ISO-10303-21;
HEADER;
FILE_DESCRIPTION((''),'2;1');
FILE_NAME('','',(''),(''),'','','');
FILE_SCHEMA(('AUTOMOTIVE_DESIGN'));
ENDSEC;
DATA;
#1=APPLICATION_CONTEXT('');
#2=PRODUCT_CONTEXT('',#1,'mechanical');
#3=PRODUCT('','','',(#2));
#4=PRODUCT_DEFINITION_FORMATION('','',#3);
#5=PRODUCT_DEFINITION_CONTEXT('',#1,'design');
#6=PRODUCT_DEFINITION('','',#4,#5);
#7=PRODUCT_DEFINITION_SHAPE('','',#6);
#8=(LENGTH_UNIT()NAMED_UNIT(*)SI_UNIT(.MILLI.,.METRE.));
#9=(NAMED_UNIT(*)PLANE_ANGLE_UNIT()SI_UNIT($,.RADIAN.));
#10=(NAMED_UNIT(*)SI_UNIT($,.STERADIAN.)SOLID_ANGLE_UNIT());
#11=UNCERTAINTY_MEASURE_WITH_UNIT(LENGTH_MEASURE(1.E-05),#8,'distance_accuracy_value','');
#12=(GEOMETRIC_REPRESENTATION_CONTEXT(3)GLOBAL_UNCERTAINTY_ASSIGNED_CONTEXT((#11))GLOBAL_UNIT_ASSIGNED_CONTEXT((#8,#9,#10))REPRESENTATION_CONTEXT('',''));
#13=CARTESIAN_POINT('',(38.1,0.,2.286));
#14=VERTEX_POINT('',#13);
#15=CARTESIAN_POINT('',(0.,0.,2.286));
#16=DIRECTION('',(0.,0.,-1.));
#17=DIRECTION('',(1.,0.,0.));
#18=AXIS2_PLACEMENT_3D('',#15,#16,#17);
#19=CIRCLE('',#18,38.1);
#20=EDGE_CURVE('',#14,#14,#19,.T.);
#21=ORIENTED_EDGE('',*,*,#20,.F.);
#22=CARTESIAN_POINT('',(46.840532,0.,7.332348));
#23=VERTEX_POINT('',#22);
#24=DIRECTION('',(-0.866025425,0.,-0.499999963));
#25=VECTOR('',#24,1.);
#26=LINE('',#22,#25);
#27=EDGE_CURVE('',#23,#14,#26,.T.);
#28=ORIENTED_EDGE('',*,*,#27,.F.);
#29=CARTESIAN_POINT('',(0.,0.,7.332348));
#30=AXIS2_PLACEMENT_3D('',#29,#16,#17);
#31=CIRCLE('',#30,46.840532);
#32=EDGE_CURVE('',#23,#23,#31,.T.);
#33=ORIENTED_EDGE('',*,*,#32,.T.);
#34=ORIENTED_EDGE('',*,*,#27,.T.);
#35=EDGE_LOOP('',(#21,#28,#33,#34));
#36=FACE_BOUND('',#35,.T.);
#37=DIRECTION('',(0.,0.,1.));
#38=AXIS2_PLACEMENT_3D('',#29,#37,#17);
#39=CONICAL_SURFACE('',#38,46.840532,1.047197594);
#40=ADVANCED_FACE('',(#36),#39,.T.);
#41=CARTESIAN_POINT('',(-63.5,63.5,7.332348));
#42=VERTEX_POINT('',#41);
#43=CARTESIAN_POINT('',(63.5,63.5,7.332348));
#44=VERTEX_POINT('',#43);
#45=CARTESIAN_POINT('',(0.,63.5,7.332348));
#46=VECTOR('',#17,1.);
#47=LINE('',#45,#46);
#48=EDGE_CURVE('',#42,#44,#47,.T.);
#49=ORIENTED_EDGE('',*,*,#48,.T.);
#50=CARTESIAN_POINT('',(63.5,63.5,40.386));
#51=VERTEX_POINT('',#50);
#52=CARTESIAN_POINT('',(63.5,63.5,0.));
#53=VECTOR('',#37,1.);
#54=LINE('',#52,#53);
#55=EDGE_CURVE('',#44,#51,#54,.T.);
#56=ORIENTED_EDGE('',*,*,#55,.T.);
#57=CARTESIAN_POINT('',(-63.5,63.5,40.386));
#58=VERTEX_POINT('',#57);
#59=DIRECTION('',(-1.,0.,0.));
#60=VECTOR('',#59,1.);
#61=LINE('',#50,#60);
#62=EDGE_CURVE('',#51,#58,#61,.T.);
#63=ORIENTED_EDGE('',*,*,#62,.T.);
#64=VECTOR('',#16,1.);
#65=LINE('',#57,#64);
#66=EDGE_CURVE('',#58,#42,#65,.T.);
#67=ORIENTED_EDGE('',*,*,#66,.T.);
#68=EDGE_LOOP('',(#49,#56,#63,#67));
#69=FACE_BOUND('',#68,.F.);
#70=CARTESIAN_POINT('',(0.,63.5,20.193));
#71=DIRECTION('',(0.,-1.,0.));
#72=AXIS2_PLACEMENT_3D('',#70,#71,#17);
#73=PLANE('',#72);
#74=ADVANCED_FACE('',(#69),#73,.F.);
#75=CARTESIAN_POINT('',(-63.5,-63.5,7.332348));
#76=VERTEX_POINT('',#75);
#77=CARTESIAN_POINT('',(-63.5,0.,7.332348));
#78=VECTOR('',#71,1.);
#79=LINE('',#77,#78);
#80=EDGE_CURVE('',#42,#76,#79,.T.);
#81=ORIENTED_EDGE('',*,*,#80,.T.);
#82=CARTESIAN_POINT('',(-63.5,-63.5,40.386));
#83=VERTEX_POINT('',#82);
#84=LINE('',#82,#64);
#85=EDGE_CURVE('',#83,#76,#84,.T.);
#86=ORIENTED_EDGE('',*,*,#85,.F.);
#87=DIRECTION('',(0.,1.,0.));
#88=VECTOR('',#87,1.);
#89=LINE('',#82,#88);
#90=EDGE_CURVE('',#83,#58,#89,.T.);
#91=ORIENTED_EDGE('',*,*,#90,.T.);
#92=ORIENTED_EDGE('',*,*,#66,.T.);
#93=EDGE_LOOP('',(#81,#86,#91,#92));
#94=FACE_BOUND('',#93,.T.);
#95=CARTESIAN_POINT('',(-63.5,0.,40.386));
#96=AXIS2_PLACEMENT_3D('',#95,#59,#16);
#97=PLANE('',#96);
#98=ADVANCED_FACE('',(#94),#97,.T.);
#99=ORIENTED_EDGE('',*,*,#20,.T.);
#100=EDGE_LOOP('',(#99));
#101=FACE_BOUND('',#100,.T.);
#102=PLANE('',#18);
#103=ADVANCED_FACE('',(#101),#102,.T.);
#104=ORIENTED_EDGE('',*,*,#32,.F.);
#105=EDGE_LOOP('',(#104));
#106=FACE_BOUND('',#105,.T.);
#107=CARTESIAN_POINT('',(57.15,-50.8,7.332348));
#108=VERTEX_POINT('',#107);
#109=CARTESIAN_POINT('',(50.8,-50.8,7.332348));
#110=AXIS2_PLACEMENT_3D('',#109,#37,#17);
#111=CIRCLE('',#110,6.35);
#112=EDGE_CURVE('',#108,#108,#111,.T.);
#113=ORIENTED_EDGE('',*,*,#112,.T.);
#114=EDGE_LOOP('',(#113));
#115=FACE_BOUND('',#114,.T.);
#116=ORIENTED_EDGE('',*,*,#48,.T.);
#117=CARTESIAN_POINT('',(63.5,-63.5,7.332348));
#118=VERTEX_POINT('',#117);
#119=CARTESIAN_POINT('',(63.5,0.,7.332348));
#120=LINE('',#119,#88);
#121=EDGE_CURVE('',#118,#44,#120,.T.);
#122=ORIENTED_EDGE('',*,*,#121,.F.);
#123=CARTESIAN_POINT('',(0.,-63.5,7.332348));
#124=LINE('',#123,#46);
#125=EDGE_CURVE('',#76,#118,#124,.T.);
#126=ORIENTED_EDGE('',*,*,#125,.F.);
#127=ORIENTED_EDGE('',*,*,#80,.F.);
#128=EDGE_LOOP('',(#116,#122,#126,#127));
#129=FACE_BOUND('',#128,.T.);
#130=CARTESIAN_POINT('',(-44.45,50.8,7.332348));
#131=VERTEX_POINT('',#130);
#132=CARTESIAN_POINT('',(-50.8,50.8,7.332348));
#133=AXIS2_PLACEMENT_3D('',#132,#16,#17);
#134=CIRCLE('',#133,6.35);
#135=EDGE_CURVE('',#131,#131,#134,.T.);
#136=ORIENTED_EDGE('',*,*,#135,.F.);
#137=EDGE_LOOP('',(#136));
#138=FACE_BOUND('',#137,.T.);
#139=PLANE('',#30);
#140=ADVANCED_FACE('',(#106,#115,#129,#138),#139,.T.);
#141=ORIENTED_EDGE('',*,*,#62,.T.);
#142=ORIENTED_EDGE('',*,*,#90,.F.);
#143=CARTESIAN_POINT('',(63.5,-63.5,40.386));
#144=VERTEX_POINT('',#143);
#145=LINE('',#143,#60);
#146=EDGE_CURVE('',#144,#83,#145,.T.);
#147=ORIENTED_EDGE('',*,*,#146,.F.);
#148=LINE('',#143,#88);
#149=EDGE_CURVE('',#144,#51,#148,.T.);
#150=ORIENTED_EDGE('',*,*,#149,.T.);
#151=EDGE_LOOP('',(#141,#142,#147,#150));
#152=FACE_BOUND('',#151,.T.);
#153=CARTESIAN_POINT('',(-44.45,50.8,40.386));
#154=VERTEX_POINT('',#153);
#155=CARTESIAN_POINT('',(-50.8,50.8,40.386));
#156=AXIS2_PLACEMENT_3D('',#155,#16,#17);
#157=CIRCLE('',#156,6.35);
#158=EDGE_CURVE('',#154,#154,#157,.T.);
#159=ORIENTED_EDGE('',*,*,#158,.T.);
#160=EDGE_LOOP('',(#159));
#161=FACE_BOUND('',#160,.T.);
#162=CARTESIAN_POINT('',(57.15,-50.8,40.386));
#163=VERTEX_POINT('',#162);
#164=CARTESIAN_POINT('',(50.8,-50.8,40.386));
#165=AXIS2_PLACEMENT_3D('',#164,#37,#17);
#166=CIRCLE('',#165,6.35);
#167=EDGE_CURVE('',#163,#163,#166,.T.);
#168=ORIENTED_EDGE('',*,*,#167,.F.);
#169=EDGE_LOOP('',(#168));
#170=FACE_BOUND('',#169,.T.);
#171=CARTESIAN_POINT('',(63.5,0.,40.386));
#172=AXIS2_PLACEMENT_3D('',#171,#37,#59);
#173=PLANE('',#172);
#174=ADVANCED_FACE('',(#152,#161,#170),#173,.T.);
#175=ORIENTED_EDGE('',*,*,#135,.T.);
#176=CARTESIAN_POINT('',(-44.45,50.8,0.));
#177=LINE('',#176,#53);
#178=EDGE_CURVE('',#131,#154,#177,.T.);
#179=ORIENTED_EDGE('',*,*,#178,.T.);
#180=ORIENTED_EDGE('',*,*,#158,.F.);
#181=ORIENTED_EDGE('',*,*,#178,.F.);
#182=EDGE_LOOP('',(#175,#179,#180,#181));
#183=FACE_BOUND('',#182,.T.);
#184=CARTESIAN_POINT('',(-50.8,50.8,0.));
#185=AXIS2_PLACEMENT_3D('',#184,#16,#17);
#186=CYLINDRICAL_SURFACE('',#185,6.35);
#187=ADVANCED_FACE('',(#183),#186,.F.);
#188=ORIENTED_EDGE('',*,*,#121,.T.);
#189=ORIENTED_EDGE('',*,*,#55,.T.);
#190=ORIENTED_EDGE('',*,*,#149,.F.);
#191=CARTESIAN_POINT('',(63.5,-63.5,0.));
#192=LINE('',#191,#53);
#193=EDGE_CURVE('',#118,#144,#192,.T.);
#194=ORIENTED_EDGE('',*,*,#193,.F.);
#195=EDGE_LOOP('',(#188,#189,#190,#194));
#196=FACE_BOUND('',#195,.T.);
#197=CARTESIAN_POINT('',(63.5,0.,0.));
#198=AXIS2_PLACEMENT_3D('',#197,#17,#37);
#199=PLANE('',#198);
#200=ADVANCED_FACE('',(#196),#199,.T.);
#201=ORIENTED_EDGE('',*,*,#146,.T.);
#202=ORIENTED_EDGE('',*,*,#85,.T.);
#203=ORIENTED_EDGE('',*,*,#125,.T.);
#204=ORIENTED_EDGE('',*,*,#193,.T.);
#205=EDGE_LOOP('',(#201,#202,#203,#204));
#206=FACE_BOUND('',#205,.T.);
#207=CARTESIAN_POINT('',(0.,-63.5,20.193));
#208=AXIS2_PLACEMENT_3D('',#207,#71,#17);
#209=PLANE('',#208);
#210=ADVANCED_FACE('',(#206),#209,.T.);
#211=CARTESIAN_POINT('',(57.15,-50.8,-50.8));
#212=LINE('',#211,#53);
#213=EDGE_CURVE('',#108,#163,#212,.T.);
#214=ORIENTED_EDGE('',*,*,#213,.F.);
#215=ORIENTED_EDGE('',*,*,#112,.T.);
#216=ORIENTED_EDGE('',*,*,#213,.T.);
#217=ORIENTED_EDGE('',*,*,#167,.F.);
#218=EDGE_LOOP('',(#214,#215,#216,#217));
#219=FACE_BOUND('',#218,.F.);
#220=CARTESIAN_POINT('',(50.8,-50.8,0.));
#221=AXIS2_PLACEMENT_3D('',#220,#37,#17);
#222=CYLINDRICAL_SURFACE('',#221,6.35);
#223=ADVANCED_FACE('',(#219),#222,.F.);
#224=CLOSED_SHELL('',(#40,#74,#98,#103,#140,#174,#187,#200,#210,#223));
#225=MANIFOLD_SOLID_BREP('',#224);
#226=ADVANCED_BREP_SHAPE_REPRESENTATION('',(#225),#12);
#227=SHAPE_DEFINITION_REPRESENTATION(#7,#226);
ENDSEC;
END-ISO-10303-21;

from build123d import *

# Parameters (mm, degrees)
F2_DEPTH = 63.5
F4_R     = 6.35
F5_DEPTH = 50.8


with BuildPart() as f2:
    # F1 (on Front) → F2 (new body, symmetric)
    with BuildSketch(Plane.XZ):
        Polygon((-63.5, 40.386), (-63.5, 0), (63.5, 0), (63.5, 40.386), (0, 40.386), align=None)
    extrude(amount=F2_DEPTH, both=True)

    # F0 (on Front) → F3 (revolve, cut)
    with BuildSketch(Plane.XZ):
        Polygon((0, 2.286), (0, 0), (38.1, 0), (91.416501, 0), (91.416501, 7.332348), (50.8, 7.332348), (46.840532, 7.332348), (38.1, 2.286), align=None)
    revolve(axis=Axis((0, 0, 1.143), (0, 0, -1)), mode=Mode.SUBTRACT)

    # F4 (on Top) → F5 (cut, symmetric)
    with BuildSketch(Plane.XY):
        with Locations((-50.8, 50.8)):
            Circle(F4_R)
        with Locations((50.8, -50.8)):
            Circle(F4_R)
    extrude(amount=F5_DEPTH, both=True, mode=Mode.SUBTRACT)


solid = f2.part
